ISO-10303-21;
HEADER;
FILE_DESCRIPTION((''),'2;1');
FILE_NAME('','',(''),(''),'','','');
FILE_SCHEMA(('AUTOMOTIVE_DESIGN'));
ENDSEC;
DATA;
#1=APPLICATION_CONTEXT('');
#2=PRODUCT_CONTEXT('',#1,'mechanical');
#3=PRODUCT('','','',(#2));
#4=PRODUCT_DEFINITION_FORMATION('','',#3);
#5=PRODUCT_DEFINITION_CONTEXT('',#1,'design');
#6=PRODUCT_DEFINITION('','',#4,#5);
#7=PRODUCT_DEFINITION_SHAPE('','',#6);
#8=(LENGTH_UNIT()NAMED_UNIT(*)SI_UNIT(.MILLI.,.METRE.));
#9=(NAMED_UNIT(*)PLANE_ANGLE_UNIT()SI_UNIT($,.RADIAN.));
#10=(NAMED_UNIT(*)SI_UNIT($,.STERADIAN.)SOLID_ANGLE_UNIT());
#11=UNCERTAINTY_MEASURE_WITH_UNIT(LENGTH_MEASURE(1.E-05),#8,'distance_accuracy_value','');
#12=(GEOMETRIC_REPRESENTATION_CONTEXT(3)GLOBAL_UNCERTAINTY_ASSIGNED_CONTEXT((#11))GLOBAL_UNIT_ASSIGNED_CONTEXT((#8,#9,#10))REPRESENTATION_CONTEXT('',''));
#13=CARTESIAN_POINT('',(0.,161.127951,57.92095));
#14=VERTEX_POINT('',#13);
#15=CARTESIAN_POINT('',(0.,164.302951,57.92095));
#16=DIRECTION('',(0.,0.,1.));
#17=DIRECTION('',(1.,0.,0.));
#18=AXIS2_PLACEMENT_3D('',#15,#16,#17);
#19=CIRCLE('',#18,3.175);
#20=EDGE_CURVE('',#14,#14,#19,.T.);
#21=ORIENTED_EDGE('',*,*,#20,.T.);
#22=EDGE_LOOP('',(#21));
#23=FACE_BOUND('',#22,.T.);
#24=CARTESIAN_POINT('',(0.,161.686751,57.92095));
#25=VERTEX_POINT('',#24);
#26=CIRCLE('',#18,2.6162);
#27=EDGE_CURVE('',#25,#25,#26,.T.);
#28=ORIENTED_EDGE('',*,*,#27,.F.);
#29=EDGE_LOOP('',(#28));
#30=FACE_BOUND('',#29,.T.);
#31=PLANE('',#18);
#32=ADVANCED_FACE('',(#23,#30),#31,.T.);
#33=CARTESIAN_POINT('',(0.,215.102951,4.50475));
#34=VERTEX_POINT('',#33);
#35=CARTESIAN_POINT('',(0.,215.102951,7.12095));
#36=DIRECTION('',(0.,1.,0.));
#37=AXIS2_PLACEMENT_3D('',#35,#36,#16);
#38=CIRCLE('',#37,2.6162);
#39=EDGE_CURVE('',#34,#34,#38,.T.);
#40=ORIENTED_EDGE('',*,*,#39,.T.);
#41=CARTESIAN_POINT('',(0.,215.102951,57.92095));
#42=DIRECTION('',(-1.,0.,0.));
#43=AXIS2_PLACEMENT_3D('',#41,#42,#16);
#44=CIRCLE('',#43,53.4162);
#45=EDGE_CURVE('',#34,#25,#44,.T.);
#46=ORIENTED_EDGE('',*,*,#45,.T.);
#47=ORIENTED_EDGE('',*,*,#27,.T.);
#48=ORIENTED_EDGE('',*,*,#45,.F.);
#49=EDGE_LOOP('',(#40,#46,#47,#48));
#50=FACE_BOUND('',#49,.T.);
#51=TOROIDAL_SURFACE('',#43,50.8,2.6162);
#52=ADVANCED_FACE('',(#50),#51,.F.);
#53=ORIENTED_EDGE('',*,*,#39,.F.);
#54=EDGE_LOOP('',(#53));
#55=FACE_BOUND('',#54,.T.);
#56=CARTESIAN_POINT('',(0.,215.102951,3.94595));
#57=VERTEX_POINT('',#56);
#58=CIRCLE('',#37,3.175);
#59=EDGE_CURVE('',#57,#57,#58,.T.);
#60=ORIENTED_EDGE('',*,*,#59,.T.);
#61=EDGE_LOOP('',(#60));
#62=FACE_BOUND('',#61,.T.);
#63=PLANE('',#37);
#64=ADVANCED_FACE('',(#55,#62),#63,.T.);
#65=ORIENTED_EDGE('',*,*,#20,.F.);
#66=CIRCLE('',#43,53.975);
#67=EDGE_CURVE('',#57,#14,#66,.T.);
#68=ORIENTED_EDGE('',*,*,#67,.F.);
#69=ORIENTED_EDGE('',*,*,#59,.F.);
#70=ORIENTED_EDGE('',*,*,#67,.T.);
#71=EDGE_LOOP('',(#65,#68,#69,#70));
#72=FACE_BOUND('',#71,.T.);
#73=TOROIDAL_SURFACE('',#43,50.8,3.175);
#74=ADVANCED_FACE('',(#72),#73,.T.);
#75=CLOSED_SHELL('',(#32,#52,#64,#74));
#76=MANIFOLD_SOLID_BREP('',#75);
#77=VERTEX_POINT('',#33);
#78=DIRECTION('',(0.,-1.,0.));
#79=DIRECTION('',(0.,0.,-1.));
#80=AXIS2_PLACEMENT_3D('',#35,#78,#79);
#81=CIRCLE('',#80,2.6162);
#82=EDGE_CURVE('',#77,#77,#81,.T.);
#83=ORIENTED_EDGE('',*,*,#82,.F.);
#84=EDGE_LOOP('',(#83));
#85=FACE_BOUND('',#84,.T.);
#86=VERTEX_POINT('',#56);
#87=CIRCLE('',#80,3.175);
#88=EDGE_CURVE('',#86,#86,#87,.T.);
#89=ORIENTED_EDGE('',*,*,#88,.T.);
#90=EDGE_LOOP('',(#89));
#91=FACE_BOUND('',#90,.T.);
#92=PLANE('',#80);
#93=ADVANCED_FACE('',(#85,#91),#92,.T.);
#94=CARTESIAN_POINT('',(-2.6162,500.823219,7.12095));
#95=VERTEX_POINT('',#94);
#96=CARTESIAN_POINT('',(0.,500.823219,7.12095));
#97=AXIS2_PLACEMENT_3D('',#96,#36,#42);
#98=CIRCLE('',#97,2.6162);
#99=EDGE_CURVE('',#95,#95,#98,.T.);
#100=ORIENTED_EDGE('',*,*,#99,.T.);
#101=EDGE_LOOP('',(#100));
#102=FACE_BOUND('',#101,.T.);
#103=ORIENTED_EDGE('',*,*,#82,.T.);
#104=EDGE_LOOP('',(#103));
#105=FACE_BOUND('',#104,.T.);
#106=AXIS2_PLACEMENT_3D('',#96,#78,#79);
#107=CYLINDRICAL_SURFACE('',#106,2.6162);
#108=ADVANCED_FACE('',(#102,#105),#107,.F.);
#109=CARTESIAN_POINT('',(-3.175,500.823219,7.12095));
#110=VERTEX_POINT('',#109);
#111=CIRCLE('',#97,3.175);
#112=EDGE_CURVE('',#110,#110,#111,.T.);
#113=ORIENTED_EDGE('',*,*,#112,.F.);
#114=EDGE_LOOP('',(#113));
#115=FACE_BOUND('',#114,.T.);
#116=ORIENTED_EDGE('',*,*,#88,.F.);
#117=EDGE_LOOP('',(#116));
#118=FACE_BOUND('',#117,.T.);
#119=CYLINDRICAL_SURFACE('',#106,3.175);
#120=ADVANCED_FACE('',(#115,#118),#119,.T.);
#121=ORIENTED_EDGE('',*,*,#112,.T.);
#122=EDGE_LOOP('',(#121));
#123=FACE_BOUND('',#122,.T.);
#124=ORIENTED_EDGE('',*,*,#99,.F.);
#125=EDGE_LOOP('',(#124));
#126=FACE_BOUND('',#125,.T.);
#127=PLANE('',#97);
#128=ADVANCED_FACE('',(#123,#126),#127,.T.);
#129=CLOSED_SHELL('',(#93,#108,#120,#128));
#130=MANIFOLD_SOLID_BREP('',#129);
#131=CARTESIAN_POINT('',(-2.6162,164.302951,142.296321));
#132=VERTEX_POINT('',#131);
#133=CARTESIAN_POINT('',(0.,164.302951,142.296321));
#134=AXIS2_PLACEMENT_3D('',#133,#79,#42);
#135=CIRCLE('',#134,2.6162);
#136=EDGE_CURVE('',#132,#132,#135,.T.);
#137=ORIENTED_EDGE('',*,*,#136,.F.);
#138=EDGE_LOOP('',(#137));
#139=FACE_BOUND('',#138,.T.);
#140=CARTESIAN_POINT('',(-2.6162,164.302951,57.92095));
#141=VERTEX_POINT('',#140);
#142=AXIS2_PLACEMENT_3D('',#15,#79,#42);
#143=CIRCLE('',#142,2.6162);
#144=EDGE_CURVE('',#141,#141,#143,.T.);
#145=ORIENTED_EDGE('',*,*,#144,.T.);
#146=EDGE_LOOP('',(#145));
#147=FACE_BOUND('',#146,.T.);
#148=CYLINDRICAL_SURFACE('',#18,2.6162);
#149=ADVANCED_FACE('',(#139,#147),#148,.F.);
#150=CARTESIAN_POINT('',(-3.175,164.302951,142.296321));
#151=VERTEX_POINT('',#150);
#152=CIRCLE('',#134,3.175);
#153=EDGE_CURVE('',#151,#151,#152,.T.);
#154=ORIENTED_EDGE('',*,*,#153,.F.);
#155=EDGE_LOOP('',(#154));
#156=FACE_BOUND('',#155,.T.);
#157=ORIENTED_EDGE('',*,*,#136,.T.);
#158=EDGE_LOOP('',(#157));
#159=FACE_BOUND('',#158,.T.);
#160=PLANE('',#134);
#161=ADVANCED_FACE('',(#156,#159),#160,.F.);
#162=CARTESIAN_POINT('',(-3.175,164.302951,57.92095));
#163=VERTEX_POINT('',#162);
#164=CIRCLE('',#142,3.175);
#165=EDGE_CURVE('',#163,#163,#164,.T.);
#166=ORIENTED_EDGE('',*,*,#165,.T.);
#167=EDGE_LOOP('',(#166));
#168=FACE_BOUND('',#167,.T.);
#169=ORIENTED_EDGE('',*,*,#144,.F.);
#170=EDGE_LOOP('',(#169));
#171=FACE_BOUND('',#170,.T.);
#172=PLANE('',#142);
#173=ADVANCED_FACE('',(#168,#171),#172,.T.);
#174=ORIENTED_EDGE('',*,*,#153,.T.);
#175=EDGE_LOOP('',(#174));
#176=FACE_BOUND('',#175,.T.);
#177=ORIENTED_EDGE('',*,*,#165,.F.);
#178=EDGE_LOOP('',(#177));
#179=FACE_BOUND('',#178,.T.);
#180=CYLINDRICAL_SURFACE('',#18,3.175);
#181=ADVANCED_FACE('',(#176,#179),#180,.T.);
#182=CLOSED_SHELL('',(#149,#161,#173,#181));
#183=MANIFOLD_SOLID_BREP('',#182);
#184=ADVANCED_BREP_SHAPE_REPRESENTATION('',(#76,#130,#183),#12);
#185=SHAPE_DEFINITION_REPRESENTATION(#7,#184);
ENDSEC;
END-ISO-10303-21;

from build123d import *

# Parameters (mm, degrees)
SKETCH11_R                = 3.175
SKETCH11_R_2              = 2.6162
PIPE_0_5_SCH_40_1_DEPTH   = 84.375370327
SKETCH11_ON_SEGMENT_2_R   = 3.175
SKETCH11_ON_SEGMENT_2_R_2 = 2.6162
PIPE_0_5_SCH_40_1_2_ANGLE = 90
SKETCH11_ON_SEGMENT_3_R   = 3.175
SKETCH11_ON_SEGMENT_3_R_2 = 2.6162
PIPE_0_5_SCH_40_1_3_DEPTH = 285.720267902


with BuildPart() as part:
    # Sketch11 → Pipe 0.5 SCH 40(1) (new body)
    with BuildSketch(Plane(origin=(0, 164.302951268, 142.296320697), x_dir=(0, 1, 0), z_dir=(0, 0, -1))):
        Circle(SKETCH11_R)
        Circle(SKETCH11_R_2, mode=Mode.SUBTRACT)
    extrude(amount=PIPE_0_5_SCH_40_1_DEPTH)


with BuildPart() as body_2:
    # Sketch11 on segment 2 (carried to the start of arc 2) → Pipe 0.5 SCH 40_1 2 (revolve)
    with BuildSketch(Plane(origin=(0, 164.302951268, 57.920950369), x_dir=(0, 1, 0), z_dir=(0, 0, -1))):
        Circle(SKETCH11_ON_SEGMENT_2_R)
        Circle(SKETCH11_ON_SEGMENT_2_R_2, mode=Mode.SUBTRACT)
    revolve(axis=Axis((0, 215.102951268, 57.920950369), (1, 0, 0)), revolution_arc=PIPE_0_5_SCH_40_1_2_ANGLE)


with BuildPart() as body_3:
    # Sketch11 on segment 3 (carried to segment 3) → Pipe 0.5 SCH 40_1 3 (new body)
    with BuildSketch(Plane(origin=(0, 215.102951268, 7.120950369), x_dir=(0, 0, 1), z_dir=(0, 1, 0))):
        Circle(SKETCH11_ON_SEGMENT_3_R)
        Circle(SKETCH11_ON_SEGMENT_3_R_2, mode=Mode.SUBTRACT)
    extrude(amount=PIPE_0_5_SCH_40_1_3_DEPTH)


solid = Compound([part.part, body_2.part, body_3.part])
